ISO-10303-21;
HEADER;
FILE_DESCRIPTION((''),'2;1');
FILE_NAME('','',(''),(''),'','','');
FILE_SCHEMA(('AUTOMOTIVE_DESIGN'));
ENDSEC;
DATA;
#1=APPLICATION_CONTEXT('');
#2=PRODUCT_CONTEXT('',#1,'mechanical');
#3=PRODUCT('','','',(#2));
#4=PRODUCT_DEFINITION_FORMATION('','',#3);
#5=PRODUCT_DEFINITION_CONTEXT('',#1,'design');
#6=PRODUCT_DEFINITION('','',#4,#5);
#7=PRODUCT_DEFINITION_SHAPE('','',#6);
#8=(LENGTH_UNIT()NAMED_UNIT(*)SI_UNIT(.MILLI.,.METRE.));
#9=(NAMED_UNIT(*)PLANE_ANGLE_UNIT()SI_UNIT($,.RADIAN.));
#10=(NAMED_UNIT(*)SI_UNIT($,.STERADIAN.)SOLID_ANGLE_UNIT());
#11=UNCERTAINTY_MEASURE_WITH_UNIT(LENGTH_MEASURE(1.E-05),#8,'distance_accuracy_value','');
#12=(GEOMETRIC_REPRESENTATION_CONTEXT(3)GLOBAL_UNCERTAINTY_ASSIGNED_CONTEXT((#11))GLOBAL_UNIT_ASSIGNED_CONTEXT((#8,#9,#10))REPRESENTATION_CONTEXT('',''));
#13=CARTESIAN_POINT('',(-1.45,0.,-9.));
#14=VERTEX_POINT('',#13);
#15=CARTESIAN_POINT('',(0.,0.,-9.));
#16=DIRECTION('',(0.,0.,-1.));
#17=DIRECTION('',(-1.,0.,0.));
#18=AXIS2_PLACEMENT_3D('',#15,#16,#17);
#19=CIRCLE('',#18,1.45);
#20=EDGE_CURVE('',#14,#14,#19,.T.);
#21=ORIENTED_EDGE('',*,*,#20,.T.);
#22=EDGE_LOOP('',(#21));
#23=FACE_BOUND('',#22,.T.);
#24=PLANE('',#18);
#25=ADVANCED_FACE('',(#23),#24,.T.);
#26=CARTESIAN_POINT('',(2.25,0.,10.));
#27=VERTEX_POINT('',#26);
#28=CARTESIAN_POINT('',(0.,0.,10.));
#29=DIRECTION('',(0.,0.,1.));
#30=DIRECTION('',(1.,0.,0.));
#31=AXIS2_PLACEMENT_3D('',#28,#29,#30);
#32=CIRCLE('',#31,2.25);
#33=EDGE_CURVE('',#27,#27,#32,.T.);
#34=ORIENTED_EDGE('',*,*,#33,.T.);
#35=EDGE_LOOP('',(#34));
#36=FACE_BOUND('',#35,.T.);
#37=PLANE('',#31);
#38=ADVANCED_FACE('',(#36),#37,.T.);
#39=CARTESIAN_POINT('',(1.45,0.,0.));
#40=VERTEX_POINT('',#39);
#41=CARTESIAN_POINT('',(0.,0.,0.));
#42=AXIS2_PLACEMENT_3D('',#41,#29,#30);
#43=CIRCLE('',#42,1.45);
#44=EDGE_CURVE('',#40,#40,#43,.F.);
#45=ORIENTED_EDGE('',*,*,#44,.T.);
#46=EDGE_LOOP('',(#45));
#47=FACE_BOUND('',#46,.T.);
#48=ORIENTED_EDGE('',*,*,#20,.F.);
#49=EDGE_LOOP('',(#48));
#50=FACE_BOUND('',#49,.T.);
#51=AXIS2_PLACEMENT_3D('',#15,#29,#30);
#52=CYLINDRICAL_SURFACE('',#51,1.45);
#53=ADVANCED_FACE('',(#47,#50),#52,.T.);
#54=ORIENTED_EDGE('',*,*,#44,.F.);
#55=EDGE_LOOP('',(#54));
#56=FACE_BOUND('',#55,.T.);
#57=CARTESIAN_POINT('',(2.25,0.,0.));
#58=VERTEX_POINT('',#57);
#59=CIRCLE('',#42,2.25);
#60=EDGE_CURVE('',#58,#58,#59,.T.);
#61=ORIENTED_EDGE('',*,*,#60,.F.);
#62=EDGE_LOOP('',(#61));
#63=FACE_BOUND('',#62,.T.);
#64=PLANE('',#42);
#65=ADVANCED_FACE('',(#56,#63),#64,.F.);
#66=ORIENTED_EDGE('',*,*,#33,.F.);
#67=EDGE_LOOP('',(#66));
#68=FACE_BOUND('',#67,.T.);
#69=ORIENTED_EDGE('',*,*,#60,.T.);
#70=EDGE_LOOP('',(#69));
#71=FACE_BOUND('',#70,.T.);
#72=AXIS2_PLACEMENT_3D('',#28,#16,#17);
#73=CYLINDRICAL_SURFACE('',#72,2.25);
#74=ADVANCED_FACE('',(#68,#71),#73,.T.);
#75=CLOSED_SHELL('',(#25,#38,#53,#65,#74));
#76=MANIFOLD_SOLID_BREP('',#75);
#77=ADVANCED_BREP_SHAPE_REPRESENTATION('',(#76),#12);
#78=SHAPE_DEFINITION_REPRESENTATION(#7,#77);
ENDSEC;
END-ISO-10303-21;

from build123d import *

# Parameters (mm, degrees)
SKETCH2_R           = 2.25
BOSS_EXTRUDE1_DEPTH = 10
SKETCH3_R           = 1.45
BOSS_EXTRUDE2_DEPTH = 9


with BuildPart() as part:
    # Sketch2 → Boss-Extrude1 (new body)
    with BuildSketch(Plane.XY):
        Circle(SKETCH2_R)
    extrude(amount=BOSS_EXTRUDE1_DEPTH)

    # Sketch3 → Boss-Extrude2 (add)
    with BuildSketch(Plane(origin=(0, 0, 0), x_dir=(-1, 0, 0), z_dir=(0, 0, -1))):
        Circle(SKETCH3_R)
    extrude(amount=BOSS_EXTRUDE2_DEPTH)


solid = part.part
